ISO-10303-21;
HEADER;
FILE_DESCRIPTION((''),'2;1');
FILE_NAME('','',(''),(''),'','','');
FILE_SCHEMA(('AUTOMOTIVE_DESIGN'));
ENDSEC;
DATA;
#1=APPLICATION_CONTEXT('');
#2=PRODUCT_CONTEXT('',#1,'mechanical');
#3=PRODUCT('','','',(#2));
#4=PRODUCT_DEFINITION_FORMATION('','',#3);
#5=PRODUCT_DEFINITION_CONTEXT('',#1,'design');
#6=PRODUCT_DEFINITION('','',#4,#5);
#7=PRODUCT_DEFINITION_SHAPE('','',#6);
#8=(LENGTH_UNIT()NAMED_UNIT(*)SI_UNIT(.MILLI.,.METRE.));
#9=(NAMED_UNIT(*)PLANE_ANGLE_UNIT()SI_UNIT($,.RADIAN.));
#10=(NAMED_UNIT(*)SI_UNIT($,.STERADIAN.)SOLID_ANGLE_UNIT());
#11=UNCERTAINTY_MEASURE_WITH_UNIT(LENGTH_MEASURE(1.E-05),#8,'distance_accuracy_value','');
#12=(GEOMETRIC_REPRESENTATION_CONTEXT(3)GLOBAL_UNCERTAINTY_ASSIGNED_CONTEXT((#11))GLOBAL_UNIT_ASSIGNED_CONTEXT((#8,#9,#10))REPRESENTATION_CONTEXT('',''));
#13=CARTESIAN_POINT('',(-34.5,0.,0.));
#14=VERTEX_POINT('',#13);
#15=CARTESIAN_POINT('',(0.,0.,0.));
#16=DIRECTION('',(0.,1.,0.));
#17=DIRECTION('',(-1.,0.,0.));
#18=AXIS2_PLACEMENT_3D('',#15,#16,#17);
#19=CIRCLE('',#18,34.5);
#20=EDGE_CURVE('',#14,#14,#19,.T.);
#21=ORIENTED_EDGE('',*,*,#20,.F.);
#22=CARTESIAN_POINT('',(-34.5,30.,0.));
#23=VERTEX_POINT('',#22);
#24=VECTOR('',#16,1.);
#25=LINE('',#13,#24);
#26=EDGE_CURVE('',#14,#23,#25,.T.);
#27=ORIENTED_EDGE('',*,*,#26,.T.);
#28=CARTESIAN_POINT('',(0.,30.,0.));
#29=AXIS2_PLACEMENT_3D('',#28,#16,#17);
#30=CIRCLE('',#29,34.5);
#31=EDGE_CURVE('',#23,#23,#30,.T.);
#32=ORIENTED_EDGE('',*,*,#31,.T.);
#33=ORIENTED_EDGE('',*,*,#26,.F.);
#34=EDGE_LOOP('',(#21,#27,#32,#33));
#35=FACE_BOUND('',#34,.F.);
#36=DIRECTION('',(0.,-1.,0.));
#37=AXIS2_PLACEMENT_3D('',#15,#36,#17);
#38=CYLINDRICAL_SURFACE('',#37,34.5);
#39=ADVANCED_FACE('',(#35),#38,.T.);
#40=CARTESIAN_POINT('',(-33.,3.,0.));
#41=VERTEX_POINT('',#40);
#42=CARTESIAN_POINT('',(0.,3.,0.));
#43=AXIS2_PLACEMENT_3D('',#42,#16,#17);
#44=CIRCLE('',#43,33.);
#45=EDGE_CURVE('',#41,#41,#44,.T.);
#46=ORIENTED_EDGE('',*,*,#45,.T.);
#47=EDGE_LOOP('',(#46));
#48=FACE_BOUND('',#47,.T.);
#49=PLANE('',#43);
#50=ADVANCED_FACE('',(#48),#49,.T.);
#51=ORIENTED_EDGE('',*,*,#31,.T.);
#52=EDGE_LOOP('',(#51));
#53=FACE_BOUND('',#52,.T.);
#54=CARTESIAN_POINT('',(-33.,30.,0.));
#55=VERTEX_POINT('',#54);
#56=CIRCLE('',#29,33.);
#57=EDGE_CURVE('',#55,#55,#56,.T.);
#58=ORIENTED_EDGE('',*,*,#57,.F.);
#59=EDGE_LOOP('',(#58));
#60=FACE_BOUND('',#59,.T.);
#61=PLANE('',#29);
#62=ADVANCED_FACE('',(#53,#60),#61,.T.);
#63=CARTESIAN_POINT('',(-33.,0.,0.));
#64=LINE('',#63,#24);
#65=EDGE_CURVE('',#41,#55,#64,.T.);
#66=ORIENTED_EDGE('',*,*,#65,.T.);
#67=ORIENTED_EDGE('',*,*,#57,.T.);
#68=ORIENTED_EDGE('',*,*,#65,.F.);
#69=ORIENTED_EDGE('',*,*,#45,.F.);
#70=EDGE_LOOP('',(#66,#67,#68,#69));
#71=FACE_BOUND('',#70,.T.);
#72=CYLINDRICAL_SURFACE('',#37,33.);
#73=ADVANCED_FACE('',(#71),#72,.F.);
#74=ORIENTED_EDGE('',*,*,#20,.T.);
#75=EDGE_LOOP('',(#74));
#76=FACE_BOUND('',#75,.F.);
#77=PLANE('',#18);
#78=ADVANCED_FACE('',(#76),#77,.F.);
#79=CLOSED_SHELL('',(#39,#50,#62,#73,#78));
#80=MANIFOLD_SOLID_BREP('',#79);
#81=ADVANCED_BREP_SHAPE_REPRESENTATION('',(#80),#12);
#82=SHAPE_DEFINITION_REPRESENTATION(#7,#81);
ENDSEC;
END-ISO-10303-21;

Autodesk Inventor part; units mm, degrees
ref_plane "YZ Plane" through (0, 0, 0) normal (1, 0, 0) x (0, 1, 0)
ref_plane "XZ Plane" through (0, 0, 0) normal (0, 1, 0) x (-1, 0, 0)
ref_plane "XY Plane" through (0, 0, 0) normal (0, 0, 1) x (1, 0, 0)
sketch "Эскиз1" plane through (0, 0, 0) normal (0, 1, 0) x (-1, 0, 0)
  circle A0 centre (0, 0) radius 34.5
  circle A1 centre (0, 0) radius 33
  dimension "d0" = 69
  dimension "d1" = 66
extrude "Выдавливание1" add sketch "Эскиз1" along normal blind 3 contours A1
extrude "Выдавливание2" add sketch "Эскиз1" along normal blind 30
properties part number "шины"
